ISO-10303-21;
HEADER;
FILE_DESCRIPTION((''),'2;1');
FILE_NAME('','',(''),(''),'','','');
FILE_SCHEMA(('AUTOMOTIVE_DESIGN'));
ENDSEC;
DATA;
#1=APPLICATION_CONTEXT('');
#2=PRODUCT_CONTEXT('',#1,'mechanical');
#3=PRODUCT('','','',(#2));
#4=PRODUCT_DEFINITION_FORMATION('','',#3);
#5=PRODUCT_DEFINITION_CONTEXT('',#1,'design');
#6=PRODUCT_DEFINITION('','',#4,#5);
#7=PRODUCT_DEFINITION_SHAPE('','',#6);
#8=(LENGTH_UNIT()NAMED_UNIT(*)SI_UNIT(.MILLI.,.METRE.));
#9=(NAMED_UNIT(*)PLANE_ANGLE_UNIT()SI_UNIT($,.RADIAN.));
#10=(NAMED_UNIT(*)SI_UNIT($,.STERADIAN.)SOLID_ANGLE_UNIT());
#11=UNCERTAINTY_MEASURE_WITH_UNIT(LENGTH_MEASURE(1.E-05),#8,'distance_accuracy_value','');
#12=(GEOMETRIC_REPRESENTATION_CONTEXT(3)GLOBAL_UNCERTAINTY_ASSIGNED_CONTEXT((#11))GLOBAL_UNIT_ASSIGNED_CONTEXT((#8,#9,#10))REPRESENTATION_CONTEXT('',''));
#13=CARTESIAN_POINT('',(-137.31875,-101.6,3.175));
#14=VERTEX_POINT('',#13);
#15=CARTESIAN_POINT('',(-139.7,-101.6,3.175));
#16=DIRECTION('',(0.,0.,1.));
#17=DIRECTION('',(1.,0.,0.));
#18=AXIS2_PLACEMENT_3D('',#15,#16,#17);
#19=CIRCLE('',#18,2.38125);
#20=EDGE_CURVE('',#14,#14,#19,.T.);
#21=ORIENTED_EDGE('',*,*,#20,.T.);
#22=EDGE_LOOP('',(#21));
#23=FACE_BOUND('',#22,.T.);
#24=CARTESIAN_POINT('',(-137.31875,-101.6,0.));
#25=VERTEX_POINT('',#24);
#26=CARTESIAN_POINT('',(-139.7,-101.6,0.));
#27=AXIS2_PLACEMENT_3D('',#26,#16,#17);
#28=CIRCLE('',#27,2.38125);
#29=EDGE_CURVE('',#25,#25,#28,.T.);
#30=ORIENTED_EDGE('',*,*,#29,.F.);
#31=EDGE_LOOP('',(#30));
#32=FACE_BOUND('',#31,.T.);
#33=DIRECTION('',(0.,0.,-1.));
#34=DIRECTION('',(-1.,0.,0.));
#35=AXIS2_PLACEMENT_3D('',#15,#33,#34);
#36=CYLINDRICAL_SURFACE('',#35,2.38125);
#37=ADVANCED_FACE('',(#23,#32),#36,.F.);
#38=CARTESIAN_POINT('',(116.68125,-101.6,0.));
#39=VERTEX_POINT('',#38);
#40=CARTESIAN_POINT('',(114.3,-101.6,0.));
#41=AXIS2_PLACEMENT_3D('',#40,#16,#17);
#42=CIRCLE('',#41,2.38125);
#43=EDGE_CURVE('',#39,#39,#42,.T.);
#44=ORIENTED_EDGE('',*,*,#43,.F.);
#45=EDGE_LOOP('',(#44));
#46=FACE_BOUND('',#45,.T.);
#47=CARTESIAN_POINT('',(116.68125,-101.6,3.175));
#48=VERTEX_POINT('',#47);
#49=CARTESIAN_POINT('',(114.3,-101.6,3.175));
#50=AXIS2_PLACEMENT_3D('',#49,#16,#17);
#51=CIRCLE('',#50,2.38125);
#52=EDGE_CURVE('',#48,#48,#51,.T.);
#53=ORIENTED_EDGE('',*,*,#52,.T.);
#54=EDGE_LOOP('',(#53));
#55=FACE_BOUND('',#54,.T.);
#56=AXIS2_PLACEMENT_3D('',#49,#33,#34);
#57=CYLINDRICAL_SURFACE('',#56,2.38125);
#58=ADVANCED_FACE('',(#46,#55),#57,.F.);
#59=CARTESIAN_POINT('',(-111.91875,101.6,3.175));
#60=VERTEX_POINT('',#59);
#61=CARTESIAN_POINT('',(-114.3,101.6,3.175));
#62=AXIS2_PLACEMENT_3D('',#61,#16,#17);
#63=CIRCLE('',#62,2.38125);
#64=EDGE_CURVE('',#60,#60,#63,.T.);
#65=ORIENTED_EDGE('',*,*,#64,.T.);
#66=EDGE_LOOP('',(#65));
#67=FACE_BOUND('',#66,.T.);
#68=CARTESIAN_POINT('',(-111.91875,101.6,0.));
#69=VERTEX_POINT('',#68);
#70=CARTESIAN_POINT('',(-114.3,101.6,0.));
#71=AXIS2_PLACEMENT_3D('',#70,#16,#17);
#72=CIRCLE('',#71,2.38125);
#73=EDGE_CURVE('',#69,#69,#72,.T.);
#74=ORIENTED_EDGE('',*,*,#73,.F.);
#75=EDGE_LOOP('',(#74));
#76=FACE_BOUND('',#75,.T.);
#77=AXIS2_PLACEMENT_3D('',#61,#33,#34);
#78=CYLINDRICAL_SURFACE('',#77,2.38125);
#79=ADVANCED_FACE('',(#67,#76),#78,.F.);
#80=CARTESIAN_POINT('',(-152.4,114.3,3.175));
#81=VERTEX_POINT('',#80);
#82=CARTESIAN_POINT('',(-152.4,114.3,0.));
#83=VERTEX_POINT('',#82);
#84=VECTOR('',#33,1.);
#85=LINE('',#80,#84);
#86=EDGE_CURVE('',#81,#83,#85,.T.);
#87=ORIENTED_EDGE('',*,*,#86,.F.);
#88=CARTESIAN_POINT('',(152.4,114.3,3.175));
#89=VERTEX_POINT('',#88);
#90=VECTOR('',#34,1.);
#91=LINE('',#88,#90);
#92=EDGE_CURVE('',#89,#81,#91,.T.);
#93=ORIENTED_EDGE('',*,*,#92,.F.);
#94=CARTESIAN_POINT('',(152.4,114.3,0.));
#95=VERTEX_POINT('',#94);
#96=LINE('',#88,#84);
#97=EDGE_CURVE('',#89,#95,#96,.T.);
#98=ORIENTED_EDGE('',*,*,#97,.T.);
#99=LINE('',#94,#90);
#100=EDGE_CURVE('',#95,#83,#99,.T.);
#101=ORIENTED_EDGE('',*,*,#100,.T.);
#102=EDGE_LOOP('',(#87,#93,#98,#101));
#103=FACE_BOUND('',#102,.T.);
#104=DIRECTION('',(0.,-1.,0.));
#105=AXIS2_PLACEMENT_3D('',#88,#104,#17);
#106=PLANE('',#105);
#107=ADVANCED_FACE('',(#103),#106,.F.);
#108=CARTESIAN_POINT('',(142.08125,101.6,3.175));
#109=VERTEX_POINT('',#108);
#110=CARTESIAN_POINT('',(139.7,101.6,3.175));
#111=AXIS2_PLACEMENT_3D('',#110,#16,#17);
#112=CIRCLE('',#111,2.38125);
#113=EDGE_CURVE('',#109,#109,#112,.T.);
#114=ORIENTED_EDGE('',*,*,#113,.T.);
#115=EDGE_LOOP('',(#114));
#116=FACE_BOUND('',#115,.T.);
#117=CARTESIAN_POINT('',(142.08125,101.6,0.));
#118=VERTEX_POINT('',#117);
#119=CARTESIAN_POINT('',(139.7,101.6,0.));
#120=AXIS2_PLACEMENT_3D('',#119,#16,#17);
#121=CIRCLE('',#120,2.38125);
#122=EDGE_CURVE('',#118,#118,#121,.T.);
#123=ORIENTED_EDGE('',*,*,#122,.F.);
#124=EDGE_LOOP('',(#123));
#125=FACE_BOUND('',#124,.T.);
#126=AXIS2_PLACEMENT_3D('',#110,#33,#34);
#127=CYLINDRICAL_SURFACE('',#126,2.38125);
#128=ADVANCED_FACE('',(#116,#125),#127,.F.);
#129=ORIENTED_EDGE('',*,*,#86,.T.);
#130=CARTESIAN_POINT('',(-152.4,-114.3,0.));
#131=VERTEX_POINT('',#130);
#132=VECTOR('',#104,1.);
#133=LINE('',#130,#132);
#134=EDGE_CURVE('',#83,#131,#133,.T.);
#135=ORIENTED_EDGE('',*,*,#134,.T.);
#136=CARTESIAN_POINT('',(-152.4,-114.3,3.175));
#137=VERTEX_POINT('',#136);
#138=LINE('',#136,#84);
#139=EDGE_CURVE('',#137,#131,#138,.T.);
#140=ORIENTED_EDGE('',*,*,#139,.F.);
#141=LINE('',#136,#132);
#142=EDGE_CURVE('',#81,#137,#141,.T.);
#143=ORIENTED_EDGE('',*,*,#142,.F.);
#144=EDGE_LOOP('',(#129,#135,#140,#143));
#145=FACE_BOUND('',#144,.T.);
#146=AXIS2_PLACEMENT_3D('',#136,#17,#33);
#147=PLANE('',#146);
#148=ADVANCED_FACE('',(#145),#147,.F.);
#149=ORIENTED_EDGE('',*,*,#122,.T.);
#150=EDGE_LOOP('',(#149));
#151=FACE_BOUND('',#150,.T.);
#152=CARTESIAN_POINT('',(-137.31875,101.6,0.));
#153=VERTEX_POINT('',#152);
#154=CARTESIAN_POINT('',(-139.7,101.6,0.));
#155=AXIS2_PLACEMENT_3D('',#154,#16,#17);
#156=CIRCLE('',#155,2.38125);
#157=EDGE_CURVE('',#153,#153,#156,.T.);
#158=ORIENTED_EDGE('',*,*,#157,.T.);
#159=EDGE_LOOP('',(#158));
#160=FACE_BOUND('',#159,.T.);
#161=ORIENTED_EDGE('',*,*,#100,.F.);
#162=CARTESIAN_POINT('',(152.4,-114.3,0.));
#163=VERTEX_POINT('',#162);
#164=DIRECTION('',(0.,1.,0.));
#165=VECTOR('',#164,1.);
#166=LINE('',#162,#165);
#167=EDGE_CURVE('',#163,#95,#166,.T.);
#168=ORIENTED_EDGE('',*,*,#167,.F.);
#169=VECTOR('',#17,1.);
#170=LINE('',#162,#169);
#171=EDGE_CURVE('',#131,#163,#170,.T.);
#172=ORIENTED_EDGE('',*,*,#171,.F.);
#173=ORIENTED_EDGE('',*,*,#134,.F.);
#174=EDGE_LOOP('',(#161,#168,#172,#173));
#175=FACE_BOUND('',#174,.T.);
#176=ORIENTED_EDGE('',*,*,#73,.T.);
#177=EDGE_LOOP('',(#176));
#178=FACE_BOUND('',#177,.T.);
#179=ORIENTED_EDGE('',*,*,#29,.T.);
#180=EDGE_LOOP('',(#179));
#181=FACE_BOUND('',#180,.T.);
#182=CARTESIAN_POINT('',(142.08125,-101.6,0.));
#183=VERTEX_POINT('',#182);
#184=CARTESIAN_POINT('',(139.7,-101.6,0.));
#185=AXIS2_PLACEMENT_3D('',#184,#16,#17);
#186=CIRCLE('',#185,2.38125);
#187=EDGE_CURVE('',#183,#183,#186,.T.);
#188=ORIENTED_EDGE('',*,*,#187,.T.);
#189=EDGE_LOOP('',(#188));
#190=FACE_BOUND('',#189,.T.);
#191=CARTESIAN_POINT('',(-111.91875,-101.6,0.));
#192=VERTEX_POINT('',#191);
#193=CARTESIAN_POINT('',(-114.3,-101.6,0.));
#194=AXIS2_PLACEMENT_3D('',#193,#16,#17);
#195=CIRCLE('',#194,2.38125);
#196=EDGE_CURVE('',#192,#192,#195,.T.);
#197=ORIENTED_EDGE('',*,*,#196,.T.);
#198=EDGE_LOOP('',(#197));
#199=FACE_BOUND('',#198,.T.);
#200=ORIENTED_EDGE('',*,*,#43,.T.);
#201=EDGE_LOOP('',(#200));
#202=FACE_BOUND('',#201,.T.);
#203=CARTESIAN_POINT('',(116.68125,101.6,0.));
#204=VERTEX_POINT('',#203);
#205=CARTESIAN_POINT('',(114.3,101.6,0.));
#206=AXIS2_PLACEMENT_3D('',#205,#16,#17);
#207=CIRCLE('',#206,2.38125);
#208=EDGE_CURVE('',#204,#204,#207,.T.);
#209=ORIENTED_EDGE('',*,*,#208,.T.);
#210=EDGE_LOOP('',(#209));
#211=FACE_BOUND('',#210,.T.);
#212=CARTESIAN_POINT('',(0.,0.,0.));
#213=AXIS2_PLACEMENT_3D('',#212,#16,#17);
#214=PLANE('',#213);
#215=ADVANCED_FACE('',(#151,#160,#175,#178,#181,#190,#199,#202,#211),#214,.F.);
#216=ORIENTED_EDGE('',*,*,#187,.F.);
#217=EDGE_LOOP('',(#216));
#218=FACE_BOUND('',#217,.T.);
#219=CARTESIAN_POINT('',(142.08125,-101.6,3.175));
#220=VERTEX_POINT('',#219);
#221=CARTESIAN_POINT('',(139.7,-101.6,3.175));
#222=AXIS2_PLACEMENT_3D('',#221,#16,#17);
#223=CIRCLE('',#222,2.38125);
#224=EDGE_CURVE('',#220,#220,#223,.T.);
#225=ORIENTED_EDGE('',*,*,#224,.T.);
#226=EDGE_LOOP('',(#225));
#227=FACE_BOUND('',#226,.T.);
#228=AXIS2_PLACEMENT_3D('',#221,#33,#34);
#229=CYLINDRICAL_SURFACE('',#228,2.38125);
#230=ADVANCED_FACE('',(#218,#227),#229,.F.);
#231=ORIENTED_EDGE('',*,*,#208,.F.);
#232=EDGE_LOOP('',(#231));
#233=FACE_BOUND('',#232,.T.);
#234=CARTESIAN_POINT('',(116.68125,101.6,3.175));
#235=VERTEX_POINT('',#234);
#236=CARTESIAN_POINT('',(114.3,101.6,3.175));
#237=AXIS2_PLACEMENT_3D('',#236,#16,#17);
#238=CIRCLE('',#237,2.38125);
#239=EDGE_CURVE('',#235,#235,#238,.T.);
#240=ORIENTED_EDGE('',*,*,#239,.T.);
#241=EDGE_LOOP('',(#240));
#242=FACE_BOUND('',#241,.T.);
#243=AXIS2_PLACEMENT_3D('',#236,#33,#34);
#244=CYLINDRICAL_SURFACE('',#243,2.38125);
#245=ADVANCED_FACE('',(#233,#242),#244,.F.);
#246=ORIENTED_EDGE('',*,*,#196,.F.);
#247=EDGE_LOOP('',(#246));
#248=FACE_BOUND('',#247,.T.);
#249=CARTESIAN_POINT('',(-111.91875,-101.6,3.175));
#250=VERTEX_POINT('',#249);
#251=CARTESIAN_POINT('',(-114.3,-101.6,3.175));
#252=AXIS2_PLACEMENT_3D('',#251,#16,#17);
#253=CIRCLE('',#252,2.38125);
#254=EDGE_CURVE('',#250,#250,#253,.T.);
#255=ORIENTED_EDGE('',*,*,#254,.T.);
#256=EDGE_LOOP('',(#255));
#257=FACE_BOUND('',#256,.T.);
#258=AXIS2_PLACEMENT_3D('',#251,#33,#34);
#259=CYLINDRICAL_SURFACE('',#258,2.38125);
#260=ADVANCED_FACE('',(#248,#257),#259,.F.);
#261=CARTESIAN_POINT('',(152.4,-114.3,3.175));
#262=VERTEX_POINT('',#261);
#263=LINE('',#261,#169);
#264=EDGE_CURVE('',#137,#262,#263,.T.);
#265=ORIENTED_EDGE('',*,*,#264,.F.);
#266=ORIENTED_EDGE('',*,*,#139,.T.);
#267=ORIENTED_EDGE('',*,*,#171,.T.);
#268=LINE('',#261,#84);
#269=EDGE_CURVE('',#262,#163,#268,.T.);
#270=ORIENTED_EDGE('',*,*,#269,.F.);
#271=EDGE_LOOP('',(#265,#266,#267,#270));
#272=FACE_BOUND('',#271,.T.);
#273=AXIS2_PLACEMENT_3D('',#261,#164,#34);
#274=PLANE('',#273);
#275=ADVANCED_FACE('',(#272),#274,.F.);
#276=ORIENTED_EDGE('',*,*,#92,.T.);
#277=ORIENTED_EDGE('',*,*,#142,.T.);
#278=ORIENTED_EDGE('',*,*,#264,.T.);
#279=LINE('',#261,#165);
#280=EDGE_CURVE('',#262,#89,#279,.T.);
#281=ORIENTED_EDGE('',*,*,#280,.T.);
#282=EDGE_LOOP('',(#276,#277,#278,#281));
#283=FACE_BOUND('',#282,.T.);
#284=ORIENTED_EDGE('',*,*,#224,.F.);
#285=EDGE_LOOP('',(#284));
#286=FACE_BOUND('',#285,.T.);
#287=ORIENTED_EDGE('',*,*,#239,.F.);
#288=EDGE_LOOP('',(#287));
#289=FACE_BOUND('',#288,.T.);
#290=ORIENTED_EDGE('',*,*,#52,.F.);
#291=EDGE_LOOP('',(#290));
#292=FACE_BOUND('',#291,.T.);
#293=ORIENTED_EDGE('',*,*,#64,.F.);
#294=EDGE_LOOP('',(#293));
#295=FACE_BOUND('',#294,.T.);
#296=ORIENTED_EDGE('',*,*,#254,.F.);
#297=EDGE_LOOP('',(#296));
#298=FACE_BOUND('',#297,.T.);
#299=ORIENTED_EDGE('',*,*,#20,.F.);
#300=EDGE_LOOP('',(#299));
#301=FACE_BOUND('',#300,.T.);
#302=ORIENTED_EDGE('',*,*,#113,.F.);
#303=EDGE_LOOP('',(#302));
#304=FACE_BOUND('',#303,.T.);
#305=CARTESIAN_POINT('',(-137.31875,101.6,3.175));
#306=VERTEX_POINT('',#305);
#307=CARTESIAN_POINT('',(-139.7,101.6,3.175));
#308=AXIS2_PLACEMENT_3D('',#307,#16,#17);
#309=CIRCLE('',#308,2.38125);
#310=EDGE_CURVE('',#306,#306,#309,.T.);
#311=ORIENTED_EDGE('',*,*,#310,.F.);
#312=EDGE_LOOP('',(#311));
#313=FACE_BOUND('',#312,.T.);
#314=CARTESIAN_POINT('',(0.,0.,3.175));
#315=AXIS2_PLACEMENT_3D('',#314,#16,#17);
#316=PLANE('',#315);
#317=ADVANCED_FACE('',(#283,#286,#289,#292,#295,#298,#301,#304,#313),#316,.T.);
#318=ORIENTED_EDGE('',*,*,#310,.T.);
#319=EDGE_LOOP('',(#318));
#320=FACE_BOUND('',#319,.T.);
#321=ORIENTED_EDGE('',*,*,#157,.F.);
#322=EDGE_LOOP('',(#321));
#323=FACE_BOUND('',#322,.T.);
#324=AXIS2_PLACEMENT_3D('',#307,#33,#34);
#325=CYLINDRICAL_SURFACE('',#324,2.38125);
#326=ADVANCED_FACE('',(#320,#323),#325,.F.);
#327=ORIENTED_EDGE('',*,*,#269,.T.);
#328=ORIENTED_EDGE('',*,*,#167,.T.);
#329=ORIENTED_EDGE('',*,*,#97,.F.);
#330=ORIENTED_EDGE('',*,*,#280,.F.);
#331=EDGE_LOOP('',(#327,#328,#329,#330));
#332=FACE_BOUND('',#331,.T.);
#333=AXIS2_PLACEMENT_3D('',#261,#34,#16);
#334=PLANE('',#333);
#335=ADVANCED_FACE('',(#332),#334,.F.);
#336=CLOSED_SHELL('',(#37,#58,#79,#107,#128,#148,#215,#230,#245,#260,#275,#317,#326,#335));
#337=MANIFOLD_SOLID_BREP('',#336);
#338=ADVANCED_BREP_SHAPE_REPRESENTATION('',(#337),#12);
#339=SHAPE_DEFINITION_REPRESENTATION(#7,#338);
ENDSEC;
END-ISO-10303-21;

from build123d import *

# Parameters (mm, degrees)
SKETCH1_W           = 304.8
SKETCH1_H           = 228.6
SKETCH1_R           = 2.38125
BOSS_EXTRUDE1_DEPTH = 3.175


with BuildPart() as part:
    # Sketch1 → Boss-Extrude1 (new body)
    with BuildSketch(Plane.XY):
        Rectangle(SKETCH1_W, SKETCH1_H)
        with Locations((139.7, 101.6)):
            Circle(SKETCH1_R, mode=Mode.SUBTRACT)
        with Locations((-139.7, 101.6)):
            Circle(SKETCH1_R, mode=Mode.SUBTRACT)
        with Locations((-139.7, -101.6)):
            Circle(SKETCH1_R, mode=Mode.SUBTRACT)
        with Locations((139.7, -101.6)):
            Circle(SKETCH1_R, mode=Mode.SUBTRACT)
        with Locations((114.3, 101.6)):
            Circle(SKETCH1_R, mode=Mode.SUBTRACT)
        with Locations((-114.3, 101.6)):
            Circle(SKETCH1_R, mode=Mode.SUBTRACT)
        with Locations((-114.3, -101.6)):
            Circle(SKETCH1_R, mode=Mode.SUBTRACT)
        with Locations((114.3, -101.6)):
            Circle(SKETCH1_R, mode=Mode.SUBTRACT)
    extrude(amount=BOSS_EXTRUDE1_DEPTH)


solid = part.part
